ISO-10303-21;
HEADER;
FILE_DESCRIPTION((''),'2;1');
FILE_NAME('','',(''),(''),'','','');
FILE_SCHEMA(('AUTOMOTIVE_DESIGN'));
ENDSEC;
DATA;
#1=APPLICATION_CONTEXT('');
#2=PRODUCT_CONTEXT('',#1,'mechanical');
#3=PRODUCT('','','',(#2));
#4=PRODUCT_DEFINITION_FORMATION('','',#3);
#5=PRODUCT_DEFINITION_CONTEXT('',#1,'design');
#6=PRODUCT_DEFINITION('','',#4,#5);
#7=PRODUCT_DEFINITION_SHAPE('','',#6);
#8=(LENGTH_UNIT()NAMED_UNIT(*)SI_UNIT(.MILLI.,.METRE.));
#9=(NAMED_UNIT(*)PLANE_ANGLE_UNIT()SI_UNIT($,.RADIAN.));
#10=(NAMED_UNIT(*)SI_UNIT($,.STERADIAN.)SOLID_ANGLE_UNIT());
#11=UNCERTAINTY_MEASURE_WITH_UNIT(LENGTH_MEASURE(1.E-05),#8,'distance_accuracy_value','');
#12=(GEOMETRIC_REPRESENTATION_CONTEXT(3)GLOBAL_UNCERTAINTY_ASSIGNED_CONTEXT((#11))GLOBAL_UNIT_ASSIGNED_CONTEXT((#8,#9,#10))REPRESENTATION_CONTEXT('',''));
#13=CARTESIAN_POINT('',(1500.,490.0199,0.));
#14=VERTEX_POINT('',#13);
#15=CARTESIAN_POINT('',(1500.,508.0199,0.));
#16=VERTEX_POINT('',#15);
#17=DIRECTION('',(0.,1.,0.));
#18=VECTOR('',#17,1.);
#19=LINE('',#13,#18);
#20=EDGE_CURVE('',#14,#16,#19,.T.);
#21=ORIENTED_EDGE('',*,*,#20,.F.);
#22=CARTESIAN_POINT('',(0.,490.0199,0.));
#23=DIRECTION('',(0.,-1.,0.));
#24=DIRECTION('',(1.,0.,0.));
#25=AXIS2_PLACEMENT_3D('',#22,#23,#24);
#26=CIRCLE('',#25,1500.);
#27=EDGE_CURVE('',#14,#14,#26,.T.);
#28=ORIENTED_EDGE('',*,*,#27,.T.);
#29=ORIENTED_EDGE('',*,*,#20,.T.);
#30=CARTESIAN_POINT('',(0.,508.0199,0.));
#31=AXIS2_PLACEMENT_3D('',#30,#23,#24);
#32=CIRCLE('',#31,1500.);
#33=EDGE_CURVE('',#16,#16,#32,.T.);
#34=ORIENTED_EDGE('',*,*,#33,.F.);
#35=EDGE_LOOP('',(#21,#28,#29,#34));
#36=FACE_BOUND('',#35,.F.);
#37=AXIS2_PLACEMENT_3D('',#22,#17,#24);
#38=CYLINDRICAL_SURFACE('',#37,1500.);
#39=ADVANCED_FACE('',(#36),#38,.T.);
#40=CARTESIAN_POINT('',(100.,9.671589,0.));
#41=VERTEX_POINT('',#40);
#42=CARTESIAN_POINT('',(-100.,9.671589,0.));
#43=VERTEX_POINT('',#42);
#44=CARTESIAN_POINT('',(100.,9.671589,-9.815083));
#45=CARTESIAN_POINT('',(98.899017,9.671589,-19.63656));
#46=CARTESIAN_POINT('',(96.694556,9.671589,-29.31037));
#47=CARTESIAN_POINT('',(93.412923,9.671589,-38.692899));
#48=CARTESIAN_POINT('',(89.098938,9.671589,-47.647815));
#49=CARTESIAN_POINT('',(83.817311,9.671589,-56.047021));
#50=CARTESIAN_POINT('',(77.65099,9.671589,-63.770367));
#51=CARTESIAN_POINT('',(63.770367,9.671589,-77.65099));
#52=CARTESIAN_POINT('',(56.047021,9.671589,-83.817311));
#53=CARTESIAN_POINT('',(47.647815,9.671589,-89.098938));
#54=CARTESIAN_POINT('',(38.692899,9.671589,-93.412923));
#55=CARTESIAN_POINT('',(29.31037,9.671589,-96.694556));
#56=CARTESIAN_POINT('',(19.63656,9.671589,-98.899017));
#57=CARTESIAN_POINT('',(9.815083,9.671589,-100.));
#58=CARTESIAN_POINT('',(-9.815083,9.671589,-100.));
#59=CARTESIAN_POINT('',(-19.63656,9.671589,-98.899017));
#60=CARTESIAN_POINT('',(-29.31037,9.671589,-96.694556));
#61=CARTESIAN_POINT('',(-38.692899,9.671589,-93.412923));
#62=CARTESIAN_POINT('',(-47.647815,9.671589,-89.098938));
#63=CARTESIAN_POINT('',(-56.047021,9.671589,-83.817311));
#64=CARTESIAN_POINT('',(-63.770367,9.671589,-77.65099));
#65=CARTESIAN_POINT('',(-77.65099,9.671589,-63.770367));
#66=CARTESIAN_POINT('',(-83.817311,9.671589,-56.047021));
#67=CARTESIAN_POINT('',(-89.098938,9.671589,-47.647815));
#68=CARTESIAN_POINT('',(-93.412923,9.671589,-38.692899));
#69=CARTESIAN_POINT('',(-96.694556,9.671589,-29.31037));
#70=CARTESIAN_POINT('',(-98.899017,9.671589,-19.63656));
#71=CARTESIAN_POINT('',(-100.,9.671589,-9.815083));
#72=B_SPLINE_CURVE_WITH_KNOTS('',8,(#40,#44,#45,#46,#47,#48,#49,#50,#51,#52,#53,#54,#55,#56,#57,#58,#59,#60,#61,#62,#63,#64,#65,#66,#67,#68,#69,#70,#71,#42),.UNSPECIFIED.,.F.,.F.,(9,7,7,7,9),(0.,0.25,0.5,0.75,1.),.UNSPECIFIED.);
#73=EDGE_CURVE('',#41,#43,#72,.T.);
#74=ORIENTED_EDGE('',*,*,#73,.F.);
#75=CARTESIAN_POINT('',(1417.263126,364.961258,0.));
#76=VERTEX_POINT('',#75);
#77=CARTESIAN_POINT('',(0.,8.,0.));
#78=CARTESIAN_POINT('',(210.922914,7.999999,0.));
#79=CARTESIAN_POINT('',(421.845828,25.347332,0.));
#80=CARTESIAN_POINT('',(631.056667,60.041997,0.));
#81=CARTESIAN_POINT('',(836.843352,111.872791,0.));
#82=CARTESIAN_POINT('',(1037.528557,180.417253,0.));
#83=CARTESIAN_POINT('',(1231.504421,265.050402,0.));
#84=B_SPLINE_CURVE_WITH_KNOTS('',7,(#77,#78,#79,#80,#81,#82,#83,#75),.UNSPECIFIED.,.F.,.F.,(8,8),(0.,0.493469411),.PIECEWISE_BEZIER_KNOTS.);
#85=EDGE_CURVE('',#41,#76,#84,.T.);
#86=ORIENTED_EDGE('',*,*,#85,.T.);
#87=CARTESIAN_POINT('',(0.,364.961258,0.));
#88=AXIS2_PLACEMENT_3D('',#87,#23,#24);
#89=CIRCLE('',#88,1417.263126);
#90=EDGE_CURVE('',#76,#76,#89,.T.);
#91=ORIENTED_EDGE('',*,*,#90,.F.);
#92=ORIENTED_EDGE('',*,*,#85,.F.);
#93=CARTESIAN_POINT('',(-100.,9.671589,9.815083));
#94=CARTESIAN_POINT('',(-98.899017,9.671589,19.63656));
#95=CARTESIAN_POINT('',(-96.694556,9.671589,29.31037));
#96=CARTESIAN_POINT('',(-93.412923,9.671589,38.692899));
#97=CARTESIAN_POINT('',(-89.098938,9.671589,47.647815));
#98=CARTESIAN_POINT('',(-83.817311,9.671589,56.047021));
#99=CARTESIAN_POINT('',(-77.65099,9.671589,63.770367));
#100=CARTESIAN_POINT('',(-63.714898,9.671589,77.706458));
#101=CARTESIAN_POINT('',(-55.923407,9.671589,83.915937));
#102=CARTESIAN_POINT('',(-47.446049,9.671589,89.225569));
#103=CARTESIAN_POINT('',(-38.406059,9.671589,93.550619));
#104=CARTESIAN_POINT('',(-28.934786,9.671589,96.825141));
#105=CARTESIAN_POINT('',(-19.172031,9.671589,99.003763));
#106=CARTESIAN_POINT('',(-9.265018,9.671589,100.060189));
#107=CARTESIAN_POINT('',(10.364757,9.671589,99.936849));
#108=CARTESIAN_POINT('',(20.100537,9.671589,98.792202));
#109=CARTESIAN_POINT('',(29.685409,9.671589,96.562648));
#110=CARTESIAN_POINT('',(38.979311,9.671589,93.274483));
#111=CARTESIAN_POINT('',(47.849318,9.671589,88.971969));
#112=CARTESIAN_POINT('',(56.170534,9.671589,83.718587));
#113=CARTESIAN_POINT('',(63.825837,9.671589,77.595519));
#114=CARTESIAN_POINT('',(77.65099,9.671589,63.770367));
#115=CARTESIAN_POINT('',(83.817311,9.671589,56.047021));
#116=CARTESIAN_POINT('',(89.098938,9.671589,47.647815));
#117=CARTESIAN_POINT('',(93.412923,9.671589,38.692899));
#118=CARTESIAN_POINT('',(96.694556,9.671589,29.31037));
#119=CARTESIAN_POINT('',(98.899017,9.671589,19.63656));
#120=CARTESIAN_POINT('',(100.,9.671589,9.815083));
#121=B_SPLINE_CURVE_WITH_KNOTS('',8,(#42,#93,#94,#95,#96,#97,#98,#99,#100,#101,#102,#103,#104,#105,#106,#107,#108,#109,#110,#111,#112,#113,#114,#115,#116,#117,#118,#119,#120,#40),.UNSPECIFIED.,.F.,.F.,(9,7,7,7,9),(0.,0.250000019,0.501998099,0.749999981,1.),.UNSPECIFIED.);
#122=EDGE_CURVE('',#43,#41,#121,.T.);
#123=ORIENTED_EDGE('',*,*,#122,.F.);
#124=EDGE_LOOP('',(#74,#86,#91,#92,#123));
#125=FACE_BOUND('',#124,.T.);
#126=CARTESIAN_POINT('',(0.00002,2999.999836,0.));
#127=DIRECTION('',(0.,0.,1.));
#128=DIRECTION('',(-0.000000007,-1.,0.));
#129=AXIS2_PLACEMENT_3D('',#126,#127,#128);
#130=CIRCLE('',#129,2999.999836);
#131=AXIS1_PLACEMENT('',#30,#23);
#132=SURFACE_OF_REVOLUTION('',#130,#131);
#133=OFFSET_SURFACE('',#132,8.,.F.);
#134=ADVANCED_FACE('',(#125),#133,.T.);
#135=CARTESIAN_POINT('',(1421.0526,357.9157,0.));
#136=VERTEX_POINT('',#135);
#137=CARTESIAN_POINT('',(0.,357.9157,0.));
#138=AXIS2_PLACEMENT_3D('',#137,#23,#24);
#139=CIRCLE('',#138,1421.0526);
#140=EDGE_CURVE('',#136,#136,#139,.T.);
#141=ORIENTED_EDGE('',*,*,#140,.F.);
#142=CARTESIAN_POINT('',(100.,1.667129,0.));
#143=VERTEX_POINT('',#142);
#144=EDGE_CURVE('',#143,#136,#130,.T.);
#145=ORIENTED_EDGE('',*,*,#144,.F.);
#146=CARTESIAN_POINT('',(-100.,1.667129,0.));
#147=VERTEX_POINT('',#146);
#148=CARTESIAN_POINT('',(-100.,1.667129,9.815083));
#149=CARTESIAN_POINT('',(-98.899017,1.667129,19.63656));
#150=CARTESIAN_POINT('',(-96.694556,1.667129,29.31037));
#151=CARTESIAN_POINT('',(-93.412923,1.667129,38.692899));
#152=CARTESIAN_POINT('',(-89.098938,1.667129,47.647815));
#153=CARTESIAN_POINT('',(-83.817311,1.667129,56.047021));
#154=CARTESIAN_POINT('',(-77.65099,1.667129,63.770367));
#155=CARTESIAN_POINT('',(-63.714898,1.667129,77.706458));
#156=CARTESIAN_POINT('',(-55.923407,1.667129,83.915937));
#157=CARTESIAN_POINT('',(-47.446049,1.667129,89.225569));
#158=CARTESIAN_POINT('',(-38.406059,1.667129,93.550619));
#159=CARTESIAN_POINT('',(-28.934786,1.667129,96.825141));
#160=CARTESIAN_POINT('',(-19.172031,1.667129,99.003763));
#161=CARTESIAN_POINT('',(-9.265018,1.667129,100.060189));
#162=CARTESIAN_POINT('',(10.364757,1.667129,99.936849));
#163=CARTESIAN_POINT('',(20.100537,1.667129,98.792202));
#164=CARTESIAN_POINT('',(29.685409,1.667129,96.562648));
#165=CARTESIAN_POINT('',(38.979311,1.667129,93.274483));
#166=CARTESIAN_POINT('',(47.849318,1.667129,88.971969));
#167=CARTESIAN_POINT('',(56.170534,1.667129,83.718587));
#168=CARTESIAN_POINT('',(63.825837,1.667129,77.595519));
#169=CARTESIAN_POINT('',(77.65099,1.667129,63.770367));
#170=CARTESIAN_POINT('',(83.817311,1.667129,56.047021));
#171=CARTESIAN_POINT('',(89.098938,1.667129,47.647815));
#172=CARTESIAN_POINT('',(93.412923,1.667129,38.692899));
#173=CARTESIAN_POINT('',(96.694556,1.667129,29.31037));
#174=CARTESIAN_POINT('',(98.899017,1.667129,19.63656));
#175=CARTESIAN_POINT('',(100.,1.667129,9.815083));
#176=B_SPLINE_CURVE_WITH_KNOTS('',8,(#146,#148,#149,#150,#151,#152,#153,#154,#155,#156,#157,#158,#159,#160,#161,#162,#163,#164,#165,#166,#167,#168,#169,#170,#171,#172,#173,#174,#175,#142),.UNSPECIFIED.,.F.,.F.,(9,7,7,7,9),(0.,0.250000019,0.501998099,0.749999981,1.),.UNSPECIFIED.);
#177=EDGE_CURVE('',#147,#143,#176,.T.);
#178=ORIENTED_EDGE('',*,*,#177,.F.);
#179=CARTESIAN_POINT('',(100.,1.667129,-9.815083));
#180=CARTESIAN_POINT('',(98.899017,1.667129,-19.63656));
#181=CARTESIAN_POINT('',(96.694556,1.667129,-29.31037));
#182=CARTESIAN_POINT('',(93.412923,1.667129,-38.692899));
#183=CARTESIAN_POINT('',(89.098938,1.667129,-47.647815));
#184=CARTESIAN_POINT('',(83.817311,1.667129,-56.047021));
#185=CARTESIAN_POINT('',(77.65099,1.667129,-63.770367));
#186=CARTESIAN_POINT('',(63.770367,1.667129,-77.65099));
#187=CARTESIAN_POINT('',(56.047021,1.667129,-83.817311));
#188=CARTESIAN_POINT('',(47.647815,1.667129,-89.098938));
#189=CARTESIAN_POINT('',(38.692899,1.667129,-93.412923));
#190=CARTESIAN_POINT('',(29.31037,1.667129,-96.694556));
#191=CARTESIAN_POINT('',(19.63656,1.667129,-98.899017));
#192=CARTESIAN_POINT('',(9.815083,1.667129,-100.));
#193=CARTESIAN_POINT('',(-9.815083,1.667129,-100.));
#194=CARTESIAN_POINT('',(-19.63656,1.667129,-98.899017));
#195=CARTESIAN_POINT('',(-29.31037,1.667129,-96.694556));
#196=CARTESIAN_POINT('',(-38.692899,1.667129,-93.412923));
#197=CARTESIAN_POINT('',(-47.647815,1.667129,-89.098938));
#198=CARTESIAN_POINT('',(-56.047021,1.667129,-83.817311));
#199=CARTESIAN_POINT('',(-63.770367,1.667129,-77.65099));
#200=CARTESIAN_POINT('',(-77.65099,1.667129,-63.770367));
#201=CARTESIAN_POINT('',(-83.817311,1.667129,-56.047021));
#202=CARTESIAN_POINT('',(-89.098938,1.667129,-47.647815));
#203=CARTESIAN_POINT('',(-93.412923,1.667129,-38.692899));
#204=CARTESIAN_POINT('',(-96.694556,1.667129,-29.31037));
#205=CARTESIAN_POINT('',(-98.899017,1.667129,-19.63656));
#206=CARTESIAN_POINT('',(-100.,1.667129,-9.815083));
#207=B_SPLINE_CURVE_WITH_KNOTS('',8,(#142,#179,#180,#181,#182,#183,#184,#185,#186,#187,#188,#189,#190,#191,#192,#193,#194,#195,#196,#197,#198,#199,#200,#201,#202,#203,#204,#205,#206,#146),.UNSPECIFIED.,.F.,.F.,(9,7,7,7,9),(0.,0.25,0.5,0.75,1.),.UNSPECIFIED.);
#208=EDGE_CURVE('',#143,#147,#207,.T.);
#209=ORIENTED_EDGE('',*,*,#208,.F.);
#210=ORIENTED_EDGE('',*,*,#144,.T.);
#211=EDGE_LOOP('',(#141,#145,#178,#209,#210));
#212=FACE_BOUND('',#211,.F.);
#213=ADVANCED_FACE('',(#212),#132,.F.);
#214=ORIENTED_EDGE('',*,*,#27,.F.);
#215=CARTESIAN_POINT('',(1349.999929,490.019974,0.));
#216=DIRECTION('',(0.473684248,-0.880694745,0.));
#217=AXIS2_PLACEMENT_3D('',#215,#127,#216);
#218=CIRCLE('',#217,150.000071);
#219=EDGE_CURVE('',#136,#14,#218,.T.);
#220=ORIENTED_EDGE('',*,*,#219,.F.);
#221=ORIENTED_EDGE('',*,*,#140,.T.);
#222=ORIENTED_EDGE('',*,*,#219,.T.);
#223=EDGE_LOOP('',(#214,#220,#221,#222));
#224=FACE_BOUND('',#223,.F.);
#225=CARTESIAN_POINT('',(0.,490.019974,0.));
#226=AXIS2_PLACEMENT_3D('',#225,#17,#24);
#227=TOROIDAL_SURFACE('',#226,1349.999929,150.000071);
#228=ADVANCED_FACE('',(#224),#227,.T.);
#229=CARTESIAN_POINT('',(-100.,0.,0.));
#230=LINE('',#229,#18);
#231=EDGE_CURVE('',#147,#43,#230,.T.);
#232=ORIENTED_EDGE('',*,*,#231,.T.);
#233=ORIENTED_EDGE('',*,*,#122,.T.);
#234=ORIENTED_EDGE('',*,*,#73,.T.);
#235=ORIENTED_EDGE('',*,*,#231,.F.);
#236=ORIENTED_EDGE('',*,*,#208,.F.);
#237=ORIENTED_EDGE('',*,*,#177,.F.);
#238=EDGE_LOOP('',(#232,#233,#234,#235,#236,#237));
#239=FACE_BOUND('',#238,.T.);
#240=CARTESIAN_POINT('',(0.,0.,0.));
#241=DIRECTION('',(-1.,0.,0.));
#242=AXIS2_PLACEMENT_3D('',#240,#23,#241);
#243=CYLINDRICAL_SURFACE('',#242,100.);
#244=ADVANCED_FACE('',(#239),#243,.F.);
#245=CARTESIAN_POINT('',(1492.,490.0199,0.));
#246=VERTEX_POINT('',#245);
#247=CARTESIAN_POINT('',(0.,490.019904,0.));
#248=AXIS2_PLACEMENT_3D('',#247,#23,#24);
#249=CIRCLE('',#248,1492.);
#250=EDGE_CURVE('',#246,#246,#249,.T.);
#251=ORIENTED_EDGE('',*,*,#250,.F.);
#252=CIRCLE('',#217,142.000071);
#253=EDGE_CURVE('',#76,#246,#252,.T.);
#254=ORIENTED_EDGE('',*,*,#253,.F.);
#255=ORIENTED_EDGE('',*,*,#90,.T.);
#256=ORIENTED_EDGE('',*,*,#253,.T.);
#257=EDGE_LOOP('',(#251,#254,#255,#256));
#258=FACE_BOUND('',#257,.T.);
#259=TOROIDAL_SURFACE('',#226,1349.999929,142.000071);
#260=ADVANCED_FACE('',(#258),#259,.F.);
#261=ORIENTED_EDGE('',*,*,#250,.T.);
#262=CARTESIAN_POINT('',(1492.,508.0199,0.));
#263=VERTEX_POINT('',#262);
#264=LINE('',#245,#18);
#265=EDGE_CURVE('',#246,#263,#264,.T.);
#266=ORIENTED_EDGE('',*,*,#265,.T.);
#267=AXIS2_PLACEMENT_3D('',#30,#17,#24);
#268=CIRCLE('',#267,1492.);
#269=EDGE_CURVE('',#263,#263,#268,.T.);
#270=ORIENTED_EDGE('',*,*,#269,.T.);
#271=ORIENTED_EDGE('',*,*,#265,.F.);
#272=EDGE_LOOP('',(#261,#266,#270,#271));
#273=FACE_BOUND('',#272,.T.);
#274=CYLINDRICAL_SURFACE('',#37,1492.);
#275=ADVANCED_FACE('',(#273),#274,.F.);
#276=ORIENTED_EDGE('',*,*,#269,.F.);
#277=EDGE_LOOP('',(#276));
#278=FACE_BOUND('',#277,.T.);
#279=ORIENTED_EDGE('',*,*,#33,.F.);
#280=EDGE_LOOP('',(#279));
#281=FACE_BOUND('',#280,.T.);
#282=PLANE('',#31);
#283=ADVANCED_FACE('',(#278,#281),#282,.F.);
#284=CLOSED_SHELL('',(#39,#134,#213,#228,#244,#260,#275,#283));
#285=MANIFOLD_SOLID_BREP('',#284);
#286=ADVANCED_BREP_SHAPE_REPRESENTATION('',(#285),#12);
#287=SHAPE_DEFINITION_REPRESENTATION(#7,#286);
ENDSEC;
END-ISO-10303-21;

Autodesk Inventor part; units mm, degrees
ref_plane "YZ Plane" through (0, 0, 0) normal (1, 0, 0) x (0, 1, 0)
ref_plane "XZ Plane" through (0, 0, 0) normal (0, 1, 0) x (-1, 0, 0)
ref_plane "XY Plane" through (0, 0, 0) normal (0, 0, 1) x (1, 0, 0)
sketch "Sketch1" plane through (0, 0, 0) normal (0, 0, 1) x (1, 0, 0)
  line L0 (-1421.0526, 357.9157) -> (1421.0526, 357.9157) construction
  arc A0 (-1421.0526, 357.9157) -> (0, 0) centre (0, 3000) ccw construction
  line L1 (-1500, 490.0199) -> (1500, 490.0199) construction
  arc A1 (-1500, 490.0199) -> (-1421.0526, 357.9157) centre (-1350, 490.0199) ccw construction
  arc A2 (1421.0526, 357.9157) -> (1500, 490.0199) centre (1350, 490.0199) ccw
  line L2 (-1500, 490.0199) -> (-1500, 508.0199)
  line L3 (1500, 490.0199) -> (1500, 508.0199)
  line L4 (-1500, 508.0199) -> (0, 508.0199) construction
  line L5 (0, 508.0199) -> (0, 0)
  arc A3 (0, 0) -> (1421.0526, 357.9157) centre (0, 3000) ccw
  line L6 (0, 508.0199) -> (1500, 508.0199)
  dimension "d0" = 3000
  dimension "d1" = 150
  dimension "d2" = 18
  dimension "d3" = 3000
  dimension "d7_from_floor" = 0
revolve "Revolution1" add sketch "Sketch1" angle 360 about axis through (0, 508.0199, 0) along (0, -1, 0)
shell "Shell1" thickness 8 removed faces 1 at (349.4466, 508.0199, 349.2864)
sketch "Sketch2" plane through (0, 0, 0) normal (0, 1, 0) x (-1, 0, 0)
  circle A0 centre (0, 0) radius 100
  dimension "d10" = 200
extrude "Extrusion1" cut sketch "Sketch2" along normal through all
equation "\"d0\" = d3"
equation "\"d3\" = MAIN_1_Filter_Diam"
equation "\"d10\" = MAIN_2_Outer_Tube_Diam"
equation "\"MAIN_1_Filter_Diam\" = 3000"
equation "\"MAIN_2_Outer_Tube_Diam\" = 200"
properties part number "TKS 3901 dished head" material "Stainless Steel"
